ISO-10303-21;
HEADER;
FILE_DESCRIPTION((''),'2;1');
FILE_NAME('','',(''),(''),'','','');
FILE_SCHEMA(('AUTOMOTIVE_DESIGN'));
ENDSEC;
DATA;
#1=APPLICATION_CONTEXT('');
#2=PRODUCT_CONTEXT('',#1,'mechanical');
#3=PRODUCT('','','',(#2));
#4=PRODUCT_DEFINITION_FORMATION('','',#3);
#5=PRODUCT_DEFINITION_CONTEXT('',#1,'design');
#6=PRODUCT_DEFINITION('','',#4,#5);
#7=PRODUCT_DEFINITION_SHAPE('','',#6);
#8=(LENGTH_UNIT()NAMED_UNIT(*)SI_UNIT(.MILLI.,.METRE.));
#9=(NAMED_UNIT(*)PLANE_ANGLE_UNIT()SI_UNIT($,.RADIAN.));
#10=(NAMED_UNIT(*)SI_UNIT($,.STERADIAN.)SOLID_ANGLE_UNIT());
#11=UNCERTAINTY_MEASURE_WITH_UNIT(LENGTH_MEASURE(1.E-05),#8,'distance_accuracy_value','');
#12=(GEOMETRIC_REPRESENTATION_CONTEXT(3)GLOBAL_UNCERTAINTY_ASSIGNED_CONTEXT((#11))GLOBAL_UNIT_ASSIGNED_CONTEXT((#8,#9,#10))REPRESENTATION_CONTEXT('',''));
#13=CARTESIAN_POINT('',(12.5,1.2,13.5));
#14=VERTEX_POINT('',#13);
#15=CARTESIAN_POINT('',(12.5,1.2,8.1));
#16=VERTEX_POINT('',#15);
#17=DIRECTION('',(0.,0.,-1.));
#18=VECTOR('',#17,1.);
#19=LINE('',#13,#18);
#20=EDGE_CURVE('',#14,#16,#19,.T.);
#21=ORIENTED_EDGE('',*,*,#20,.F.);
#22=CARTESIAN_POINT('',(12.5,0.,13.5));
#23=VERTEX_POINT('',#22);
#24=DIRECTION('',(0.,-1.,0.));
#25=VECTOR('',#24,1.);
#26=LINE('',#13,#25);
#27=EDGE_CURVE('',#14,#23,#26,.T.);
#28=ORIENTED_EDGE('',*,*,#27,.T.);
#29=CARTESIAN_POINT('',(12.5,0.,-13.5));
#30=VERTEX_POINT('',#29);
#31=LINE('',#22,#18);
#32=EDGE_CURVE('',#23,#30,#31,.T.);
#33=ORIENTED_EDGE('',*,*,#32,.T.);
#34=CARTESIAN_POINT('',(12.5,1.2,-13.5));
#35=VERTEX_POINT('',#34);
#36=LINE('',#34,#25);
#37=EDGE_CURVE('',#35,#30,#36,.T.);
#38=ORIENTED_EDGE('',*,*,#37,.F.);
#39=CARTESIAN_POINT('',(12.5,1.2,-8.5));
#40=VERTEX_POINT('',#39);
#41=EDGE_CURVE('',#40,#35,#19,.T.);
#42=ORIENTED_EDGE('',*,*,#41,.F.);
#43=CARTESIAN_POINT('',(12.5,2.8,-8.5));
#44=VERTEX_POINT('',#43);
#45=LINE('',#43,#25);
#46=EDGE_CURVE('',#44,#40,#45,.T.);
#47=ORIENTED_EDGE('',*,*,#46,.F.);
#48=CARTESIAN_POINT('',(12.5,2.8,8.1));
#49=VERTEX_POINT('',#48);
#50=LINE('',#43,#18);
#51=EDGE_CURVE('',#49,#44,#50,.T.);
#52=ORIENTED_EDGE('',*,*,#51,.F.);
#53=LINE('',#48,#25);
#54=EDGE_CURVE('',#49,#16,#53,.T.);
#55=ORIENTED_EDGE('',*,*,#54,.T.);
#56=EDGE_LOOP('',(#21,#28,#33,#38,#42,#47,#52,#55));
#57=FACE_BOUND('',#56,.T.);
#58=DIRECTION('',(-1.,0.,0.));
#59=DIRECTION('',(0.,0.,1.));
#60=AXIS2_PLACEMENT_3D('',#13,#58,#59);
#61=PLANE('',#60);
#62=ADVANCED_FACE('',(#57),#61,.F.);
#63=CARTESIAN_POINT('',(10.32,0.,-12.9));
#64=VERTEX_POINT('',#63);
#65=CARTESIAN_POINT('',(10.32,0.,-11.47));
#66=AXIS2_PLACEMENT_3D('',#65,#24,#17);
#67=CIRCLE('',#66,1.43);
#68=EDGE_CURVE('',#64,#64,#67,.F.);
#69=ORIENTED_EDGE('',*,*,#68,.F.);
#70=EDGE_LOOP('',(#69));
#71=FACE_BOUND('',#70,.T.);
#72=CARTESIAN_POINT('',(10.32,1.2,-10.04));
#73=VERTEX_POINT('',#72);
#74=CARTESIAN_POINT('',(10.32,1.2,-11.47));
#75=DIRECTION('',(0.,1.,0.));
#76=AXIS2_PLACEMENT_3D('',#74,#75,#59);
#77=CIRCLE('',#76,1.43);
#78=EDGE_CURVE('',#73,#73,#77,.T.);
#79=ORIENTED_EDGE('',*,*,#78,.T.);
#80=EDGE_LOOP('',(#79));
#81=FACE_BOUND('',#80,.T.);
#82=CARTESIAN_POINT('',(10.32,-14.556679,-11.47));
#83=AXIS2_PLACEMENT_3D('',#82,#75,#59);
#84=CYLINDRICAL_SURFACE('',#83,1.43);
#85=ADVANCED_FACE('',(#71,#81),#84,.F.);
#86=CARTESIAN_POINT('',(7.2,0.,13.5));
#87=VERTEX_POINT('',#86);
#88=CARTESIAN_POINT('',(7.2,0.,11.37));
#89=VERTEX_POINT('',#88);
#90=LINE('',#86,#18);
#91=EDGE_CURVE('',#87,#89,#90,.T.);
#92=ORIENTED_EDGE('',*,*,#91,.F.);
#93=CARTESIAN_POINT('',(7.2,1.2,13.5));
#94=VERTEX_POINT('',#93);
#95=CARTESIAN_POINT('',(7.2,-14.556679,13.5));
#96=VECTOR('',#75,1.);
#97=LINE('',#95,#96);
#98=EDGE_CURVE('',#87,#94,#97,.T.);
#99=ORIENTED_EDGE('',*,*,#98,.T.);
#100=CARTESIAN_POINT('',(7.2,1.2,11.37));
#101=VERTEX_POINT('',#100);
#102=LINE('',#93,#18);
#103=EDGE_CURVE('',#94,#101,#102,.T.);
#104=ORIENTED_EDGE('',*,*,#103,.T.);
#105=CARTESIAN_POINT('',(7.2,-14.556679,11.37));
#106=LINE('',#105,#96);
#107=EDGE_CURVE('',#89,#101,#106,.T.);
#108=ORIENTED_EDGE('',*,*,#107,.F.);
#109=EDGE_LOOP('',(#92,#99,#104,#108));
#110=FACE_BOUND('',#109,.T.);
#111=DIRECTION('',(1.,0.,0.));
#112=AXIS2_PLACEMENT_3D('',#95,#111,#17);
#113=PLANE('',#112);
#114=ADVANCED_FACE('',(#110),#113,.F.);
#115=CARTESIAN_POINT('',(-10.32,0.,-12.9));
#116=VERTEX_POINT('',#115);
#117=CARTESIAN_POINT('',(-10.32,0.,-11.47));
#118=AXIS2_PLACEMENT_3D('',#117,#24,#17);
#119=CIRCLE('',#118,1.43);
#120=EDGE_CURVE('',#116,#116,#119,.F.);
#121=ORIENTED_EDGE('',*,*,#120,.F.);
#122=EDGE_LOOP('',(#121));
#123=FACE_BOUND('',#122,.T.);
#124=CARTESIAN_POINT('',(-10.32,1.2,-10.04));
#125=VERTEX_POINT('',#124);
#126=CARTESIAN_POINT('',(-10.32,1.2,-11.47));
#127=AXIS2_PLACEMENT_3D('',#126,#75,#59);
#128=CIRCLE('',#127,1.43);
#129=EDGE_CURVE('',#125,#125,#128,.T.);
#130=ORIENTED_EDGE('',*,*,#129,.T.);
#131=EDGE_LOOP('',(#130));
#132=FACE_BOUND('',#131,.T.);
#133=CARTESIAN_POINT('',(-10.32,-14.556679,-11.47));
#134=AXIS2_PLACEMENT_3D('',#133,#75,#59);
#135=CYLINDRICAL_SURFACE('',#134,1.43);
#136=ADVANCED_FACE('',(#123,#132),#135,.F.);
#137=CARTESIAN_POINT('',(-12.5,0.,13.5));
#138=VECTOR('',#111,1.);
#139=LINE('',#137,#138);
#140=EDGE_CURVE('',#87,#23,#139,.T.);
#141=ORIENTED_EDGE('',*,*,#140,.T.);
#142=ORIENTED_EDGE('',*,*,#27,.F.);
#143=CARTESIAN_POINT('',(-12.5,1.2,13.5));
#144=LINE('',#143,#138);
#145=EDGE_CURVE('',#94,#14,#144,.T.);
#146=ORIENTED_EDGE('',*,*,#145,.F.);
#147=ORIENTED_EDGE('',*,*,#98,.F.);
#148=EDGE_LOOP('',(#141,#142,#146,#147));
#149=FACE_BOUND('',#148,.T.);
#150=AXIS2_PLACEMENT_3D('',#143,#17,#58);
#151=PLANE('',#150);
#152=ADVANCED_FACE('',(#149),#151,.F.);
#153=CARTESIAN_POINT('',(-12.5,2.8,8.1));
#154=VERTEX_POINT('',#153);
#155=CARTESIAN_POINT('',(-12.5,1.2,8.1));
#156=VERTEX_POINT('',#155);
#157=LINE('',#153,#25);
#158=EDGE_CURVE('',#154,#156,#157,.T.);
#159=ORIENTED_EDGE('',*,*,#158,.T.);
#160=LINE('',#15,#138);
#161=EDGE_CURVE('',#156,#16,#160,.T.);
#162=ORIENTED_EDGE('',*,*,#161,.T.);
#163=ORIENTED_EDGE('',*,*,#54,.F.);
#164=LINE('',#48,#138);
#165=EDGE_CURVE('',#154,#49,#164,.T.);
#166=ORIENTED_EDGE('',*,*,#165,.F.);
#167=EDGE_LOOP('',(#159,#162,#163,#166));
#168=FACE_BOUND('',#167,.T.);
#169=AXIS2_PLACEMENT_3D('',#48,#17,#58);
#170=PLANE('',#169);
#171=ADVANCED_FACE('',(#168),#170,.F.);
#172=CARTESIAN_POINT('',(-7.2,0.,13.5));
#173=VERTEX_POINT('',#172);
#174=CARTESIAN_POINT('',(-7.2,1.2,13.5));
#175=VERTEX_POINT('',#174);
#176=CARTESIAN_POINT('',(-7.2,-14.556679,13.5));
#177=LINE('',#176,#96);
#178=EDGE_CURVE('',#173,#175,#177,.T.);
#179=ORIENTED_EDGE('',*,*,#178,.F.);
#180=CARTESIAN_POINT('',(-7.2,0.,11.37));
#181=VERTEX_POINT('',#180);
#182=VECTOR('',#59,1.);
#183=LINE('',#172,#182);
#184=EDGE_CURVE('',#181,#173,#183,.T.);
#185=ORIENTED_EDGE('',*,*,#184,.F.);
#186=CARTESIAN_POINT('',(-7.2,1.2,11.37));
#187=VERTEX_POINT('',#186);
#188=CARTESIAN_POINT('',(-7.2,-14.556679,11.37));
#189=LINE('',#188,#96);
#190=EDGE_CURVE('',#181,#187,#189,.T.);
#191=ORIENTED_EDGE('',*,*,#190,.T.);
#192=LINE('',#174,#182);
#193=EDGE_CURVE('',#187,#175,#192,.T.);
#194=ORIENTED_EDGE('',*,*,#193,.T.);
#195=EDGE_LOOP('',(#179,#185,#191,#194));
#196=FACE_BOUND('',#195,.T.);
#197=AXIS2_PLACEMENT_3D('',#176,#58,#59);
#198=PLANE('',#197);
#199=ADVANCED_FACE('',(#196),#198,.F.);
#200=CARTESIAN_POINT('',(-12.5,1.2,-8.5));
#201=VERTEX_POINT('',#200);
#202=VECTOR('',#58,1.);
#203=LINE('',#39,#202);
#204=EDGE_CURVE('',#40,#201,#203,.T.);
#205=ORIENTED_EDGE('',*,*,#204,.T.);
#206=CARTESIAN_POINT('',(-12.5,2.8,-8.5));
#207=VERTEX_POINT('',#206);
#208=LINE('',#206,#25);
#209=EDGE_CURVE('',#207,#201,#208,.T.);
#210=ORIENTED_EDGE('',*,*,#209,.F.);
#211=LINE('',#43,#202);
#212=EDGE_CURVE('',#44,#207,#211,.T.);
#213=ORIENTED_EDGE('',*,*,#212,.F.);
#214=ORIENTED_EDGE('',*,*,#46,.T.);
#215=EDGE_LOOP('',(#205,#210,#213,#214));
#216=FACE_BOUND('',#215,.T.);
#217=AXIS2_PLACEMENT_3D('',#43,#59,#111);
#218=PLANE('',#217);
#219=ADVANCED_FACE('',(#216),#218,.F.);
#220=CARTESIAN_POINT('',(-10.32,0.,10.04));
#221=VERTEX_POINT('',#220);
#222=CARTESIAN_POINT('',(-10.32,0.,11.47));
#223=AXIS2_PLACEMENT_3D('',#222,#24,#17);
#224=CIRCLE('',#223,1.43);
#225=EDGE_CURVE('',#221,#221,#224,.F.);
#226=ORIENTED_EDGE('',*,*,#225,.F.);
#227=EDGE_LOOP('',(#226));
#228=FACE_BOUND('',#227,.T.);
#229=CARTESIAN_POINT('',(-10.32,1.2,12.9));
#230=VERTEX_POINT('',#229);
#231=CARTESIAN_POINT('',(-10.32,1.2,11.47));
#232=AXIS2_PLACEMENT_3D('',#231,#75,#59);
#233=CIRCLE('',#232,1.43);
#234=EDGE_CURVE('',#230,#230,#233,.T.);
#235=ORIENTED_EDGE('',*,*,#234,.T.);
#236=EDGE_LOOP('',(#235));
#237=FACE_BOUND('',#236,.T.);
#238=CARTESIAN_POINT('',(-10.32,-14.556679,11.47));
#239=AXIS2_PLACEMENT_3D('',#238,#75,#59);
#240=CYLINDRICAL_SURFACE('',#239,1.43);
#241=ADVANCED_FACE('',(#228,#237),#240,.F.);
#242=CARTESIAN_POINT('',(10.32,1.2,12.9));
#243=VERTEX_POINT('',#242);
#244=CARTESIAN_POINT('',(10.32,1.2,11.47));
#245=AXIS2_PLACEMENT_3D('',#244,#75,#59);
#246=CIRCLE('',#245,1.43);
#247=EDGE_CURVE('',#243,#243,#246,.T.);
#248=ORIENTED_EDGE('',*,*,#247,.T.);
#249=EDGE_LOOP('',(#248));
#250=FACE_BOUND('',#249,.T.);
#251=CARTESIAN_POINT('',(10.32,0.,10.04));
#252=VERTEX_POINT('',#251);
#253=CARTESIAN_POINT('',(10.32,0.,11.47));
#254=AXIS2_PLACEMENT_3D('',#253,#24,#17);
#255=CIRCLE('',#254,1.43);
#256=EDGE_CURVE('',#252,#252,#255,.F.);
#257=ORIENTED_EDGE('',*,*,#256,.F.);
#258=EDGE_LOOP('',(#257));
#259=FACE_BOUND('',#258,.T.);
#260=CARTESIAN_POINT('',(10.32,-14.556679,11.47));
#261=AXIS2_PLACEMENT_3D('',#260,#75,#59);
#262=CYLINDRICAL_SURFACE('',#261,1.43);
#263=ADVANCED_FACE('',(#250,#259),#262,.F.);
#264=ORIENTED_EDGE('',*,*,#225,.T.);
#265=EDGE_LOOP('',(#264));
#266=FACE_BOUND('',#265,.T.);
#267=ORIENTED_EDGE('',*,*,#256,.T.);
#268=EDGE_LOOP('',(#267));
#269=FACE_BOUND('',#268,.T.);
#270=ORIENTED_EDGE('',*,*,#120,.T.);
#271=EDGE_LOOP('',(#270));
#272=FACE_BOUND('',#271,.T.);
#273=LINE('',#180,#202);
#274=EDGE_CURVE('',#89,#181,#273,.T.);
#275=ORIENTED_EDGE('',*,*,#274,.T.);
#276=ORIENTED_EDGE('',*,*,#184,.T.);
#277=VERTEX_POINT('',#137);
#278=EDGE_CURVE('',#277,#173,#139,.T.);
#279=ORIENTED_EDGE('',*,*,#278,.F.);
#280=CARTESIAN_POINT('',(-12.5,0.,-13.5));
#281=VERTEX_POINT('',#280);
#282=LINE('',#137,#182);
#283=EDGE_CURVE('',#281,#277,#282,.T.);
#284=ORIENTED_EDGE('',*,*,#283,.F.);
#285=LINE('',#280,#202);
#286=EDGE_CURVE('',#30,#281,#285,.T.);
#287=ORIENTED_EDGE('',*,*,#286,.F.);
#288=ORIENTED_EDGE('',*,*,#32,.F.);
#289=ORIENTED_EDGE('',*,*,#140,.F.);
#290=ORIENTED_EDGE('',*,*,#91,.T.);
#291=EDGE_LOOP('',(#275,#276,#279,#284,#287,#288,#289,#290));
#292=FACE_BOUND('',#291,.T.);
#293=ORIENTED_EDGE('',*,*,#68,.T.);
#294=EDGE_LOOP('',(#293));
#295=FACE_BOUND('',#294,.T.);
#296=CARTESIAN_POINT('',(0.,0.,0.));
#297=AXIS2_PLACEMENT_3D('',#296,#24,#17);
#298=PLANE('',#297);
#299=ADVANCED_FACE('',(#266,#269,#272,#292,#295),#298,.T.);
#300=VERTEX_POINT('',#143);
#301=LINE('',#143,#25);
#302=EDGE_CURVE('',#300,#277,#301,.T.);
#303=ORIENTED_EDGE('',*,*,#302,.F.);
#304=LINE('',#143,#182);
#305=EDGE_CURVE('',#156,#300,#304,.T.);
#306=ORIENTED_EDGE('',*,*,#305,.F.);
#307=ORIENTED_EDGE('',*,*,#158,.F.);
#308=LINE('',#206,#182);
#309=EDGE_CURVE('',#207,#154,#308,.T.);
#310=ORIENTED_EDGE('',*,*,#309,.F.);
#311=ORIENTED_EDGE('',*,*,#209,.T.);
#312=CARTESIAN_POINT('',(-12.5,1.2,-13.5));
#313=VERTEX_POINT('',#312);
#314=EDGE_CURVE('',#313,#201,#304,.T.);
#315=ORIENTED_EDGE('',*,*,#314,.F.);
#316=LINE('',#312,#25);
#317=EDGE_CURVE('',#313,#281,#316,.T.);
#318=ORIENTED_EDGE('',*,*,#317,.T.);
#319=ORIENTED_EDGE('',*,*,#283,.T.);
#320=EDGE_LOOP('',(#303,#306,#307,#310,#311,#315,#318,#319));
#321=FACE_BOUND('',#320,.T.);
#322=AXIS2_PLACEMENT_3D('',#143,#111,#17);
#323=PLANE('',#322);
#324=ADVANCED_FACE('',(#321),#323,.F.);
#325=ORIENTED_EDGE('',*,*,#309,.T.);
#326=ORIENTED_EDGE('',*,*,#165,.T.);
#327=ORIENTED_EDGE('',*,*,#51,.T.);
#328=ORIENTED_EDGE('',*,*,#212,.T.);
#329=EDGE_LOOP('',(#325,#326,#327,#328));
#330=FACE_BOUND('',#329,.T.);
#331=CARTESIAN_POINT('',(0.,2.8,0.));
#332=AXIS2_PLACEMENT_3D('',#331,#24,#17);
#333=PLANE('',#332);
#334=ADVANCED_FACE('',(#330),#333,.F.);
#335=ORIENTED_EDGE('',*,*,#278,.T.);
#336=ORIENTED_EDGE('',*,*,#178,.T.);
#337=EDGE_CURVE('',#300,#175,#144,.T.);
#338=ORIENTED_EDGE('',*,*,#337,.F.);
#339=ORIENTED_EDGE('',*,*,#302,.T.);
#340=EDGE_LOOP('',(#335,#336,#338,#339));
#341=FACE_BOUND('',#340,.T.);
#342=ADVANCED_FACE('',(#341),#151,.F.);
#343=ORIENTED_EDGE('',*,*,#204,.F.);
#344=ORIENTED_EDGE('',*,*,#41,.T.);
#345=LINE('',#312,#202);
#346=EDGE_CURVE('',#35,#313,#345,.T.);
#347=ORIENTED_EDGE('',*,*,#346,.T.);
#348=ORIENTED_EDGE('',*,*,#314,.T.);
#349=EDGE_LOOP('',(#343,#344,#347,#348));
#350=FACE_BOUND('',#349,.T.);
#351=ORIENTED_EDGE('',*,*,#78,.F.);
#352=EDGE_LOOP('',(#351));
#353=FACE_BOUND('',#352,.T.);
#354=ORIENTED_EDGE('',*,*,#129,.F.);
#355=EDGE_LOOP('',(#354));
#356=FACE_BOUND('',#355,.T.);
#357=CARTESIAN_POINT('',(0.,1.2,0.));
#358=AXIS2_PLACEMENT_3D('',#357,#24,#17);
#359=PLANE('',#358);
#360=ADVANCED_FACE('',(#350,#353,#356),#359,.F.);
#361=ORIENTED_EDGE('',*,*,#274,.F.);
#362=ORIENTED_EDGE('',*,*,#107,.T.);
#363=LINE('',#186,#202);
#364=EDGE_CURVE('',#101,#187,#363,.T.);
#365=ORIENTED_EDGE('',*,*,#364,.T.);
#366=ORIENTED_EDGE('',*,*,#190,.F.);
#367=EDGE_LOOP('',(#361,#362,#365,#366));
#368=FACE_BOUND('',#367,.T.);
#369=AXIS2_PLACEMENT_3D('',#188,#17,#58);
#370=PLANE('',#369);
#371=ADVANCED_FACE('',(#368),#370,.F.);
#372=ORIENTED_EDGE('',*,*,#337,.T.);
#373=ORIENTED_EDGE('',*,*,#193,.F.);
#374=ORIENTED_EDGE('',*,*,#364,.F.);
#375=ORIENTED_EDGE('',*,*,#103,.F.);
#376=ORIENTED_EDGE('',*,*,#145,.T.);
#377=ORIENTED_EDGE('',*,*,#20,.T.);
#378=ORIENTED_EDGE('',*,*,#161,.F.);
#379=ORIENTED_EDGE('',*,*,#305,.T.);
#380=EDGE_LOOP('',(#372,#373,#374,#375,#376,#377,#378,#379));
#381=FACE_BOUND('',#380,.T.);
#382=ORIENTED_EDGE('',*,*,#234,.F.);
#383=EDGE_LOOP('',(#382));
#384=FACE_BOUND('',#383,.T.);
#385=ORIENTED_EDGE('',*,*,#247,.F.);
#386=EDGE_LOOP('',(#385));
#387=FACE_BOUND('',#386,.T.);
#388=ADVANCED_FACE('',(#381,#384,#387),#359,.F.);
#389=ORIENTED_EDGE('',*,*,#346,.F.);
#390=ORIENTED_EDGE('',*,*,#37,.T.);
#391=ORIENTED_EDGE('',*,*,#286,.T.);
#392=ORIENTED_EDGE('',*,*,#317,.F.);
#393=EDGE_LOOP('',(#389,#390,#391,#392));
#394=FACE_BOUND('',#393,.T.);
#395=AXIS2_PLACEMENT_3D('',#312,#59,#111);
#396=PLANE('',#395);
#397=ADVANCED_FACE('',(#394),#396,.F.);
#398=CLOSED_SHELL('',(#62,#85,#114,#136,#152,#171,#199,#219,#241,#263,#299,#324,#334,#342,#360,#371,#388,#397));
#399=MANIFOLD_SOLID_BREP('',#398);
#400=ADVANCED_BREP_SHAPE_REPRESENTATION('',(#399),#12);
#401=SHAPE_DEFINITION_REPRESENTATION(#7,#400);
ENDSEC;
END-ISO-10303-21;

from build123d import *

# Parameters (mm, degrees)
SKETCH1_W           = 25
SKETCH1_H           = 27
BOSS_EXTRUDE1_DEPTH = 1.2
SKETCH2_W           = 25
SKETCH2_H           = 16.6
BOSS_EXTRUDE2_DEPTH = 1.6
SKETCH3_R           = 1.43
SKETCH3_W           = 14.4
SKETCH3_H           = 2.13
CUT_EXTRUDE1_DEPTH  = 1.2


with BuildPart() as part:
    # Sketch1 → Boss-Extrude1 (new body)
    with BuildSketch(Plane(origin=(0, 0, 0), x_dir=(1, 0, 0), z_dir=(0, 1, 0))):
        Rectangle(SKETCH1_W, SKETCH1_H)
    extrude(amount=BOSS_EXTRUDE1_DEPTH)

    # Sketch2 → Boss-Extrude2 (add)
    with BuildSketch(Plane(origin=(0, 1.2, 0), x_dir=(1, 0, 0), z_dir=(0, 1, 0))):
        with Locations((0, 0.2)):
            Rectangle(SKETCH2_W, SKETCH2_H)
    extrude(amount=BOSS_EXTRUDE2_DEPTH)

    # Sketch3 → Cut-Extrude1 (cut)
    with BuildSketch(Plane(origin=(0, 1.2, 0), x_dir=(1, 0, 0), z_dir=(0, 1, 0))):
        with Locations(Location((10.32, 11.47, 0), (0, 0, 270))):
            Circle(SKETCH3_R)
        with Locations(Location((-10.32, 11.47, 0), (0, 0, 270))):
            Circle(SKETCH3_R)
        with Locations(Location((-10.32, -11.47, 0), (0, 0, 270))):
            Circle(SKETCH3_R)
        with Locations(Location((10.32, -11.47, 0), (0, 0, 270))):
            Circle(SKETCH3_R)
        with Locations((0, -12.435)):
            Rectangle(SKETCH3_W, SKETCH3_H)
    extrude(amount=-CUT_EXTRUDE1_DEPTH, mode=Mode.SUBTRACT)


solid = part.part
